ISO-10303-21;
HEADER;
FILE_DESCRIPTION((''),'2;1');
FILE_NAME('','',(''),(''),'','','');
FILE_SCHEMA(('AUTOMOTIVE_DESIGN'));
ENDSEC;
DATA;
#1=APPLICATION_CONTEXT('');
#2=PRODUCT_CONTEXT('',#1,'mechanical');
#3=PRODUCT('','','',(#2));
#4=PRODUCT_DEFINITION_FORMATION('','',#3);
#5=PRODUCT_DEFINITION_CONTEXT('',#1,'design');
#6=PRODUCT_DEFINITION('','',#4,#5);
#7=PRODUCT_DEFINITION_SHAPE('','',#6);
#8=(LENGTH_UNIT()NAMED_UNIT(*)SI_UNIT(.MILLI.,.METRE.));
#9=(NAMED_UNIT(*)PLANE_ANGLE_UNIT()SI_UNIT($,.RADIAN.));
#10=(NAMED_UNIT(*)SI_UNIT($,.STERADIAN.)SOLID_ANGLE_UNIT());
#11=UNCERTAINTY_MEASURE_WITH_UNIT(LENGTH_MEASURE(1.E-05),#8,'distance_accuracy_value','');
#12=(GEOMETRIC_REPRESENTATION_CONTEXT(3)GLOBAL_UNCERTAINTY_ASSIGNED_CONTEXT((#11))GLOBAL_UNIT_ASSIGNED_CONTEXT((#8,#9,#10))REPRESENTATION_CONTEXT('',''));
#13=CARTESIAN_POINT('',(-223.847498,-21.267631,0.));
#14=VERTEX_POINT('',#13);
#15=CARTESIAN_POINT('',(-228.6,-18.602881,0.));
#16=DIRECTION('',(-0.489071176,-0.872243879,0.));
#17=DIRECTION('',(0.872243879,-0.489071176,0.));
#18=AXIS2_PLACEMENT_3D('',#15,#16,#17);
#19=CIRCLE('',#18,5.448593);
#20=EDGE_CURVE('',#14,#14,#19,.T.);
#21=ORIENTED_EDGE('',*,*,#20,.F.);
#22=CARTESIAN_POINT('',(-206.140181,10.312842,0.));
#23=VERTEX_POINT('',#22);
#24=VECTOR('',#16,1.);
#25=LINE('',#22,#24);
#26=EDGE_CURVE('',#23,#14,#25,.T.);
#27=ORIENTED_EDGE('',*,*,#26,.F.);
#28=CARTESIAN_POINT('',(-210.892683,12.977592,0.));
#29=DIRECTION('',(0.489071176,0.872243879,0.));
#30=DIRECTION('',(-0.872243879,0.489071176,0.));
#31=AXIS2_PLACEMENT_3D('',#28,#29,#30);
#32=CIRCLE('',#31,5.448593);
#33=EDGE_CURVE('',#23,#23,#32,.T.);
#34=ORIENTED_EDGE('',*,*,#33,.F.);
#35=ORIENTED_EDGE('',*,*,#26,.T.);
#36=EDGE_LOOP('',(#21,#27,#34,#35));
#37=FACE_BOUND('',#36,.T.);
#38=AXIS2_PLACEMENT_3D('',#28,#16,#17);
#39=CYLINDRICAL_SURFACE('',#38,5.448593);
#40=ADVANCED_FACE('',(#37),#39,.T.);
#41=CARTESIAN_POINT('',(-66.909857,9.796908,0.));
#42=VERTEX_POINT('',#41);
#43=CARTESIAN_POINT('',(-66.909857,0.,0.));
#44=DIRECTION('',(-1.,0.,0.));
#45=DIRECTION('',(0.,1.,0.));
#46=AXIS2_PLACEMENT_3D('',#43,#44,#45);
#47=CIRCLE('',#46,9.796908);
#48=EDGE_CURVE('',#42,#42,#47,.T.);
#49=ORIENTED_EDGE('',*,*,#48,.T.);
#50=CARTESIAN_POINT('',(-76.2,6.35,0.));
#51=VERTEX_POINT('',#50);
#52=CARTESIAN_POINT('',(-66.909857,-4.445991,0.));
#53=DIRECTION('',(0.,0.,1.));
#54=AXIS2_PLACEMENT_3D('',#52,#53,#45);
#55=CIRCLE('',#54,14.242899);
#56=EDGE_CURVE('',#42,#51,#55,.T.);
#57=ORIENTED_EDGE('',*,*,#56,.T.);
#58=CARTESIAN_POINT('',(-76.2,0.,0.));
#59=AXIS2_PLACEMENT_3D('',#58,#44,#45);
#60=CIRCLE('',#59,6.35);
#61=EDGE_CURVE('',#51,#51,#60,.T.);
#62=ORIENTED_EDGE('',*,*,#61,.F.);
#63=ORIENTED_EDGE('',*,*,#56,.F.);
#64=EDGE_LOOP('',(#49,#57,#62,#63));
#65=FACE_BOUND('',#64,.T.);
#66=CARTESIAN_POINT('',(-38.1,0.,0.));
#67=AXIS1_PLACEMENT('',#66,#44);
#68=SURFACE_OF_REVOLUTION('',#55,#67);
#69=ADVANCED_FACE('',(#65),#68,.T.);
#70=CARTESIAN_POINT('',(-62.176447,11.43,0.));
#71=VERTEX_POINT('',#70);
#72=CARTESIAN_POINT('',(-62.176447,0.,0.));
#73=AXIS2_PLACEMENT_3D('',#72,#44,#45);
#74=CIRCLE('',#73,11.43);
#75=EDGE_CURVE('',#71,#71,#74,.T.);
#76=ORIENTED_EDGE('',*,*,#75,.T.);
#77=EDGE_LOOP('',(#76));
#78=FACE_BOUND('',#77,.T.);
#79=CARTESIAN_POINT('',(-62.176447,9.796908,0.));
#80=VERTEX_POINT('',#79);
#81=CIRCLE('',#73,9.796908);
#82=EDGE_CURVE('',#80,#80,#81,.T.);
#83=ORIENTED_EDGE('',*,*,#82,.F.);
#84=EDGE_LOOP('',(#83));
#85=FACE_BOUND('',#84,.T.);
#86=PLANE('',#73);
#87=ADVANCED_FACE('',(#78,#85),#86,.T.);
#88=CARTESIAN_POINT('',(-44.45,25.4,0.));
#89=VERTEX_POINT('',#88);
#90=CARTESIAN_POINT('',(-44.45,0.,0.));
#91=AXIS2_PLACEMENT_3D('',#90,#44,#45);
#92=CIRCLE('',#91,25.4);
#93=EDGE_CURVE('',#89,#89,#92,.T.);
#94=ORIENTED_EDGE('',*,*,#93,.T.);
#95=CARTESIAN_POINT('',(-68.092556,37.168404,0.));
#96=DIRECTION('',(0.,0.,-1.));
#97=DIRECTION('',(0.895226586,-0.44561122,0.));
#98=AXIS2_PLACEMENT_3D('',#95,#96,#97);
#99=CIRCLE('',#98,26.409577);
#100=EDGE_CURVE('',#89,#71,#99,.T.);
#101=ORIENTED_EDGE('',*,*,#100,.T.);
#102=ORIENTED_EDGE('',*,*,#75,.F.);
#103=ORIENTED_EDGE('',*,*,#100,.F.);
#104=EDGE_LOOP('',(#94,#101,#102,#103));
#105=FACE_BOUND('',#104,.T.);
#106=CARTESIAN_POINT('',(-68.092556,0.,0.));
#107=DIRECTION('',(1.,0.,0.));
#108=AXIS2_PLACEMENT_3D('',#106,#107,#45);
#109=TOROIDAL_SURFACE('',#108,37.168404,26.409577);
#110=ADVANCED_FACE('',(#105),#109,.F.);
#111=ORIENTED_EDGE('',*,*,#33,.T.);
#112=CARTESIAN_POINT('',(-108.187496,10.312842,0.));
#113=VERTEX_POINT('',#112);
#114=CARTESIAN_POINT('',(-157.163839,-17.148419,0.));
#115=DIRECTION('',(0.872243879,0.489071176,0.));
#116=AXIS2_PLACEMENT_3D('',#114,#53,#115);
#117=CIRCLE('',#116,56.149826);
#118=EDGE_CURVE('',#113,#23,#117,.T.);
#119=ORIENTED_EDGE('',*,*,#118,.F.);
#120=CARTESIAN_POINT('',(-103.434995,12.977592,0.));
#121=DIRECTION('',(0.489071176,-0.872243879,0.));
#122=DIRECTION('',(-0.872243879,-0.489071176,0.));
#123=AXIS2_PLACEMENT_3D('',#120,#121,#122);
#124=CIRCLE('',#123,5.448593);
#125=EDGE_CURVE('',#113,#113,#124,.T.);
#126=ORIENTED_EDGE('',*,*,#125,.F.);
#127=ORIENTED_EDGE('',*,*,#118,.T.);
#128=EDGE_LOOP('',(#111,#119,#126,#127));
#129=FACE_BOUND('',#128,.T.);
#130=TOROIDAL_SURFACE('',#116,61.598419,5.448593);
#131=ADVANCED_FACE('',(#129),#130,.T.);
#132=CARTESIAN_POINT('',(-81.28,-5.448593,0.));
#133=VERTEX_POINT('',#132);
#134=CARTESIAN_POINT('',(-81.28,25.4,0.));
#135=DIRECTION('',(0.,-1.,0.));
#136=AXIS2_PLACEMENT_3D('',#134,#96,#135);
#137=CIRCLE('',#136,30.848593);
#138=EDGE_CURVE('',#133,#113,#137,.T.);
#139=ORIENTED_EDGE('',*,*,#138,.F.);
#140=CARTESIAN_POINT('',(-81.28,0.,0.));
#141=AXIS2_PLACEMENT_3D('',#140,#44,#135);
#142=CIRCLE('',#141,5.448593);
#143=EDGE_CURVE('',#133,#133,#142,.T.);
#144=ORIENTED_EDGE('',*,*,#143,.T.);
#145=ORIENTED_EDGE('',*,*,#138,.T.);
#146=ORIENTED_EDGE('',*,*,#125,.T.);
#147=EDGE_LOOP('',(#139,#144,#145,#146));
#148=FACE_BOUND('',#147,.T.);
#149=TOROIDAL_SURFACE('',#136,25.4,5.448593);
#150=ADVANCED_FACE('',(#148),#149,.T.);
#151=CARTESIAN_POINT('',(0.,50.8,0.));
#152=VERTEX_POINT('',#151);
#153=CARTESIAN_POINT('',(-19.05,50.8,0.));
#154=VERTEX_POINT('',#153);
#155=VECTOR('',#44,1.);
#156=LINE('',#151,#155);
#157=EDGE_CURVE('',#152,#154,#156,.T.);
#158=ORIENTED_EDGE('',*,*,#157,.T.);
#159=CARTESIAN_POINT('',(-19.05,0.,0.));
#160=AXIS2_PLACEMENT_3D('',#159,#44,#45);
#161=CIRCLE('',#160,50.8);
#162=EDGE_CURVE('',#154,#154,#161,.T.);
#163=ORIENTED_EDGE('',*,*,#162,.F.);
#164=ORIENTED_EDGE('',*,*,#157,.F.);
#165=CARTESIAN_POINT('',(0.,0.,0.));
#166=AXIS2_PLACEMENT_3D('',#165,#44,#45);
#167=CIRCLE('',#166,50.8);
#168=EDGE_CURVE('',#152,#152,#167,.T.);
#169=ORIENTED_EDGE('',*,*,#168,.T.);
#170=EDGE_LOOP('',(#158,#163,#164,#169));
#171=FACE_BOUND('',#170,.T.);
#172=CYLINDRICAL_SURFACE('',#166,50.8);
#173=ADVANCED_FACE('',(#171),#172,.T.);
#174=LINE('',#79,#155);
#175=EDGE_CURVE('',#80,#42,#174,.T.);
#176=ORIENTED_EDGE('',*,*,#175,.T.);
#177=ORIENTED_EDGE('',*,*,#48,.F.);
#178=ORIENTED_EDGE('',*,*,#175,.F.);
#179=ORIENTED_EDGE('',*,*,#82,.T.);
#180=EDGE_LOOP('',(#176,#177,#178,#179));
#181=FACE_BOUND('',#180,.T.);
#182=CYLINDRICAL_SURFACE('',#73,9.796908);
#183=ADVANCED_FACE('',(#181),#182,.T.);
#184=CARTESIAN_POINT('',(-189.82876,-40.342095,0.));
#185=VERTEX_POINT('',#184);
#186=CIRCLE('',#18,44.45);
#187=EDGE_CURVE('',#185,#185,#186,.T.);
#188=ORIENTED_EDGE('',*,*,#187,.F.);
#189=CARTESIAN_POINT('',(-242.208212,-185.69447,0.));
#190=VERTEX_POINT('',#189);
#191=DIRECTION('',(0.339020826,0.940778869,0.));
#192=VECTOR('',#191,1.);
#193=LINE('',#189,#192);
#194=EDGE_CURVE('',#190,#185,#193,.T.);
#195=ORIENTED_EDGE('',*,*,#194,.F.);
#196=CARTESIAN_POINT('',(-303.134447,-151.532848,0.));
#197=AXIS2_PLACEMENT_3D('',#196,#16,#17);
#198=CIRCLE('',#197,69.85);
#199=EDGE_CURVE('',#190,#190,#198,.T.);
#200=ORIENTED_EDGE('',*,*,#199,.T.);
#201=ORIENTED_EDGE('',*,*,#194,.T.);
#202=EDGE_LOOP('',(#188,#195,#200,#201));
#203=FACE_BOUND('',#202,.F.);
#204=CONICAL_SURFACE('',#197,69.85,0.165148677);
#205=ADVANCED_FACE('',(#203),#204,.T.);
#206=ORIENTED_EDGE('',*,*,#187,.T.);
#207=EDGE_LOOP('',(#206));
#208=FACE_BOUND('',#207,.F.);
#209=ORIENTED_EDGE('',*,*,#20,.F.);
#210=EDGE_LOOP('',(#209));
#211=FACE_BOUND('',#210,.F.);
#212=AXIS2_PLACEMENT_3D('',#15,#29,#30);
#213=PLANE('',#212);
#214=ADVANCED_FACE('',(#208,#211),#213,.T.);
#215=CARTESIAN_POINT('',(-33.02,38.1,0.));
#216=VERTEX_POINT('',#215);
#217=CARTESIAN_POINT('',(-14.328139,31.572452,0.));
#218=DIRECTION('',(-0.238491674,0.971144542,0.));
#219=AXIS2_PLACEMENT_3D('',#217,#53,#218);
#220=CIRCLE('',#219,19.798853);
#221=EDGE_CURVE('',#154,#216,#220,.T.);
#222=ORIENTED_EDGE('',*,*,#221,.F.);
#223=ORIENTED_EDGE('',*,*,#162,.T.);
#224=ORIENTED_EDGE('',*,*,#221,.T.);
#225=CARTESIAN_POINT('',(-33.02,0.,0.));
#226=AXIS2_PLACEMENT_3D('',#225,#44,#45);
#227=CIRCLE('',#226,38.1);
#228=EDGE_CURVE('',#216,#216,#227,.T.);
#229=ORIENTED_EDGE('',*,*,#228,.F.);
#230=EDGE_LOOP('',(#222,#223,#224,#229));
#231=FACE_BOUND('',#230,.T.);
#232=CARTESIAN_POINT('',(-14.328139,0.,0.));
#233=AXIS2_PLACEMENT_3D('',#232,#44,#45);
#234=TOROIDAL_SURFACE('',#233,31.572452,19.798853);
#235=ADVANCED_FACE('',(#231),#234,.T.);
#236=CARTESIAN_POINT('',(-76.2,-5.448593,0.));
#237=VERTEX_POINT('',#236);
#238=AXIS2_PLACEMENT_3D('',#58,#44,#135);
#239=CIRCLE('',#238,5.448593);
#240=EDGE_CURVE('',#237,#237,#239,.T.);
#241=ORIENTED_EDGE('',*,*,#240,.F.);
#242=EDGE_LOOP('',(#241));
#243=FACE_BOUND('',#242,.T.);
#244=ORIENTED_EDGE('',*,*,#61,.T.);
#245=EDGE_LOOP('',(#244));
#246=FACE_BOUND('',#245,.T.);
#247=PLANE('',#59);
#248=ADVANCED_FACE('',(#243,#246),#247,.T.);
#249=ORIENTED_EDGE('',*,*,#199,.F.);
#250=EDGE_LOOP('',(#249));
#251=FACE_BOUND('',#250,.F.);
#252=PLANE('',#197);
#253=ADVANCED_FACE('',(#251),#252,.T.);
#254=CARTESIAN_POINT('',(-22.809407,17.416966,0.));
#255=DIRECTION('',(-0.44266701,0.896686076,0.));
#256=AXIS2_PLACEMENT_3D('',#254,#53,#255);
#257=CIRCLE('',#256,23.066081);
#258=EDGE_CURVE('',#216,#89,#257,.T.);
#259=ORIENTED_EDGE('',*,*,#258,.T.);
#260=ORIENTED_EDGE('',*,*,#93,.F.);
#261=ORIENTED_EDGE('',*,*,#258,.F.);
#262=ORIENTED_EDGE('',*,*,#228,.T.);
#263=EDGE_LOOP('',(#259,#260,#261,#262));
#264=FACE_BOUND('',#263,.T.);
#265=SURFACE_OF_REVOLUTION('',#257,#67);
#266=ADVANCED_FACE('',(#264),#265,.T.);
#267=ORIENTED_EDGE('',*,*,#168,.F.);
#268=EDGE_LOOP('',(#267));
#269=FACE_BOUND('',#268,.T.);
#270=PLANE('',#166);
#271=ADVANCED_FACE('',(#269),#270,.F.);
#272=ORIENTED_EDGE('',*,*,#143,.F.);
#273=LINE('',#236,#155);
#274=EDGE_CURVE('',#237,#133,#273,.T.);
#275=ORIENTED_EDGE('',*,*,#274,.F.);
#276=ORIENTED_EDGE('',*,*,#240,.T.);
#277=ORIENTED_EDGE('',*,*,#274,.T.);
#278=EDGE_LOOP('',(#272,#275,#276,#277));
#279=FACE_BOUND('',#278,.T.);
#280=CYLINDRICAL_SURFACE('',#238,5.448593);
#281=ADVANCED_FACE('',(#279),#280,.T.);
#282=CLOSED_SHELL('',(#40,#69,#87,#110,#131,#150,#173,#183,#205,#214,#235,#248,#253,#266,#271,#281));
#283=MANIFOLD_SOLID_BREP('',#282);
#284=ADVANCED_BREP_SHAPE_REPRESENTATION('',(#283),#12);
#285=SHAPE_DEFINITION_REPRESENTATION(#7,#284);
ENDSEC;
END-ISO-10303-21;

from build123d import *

# Parameters (mm, degrees)
F3_R = 5.4485927956


with BuildPart() as f1:
    # F0 (on Top) → F1 (revolve)
    with BuildSketch(Plane.XY):
        with BuildLine():
            Line((-76.2, 0), (0, 0))
            Line((0, 0), (0, 50.8))
            Line((0, 50.8), (-19.05, 50.8))
            ThreePointArc((-19.05, 50.8), (-27.6462880029, 46.2224168032), (-33.02, 38.1))
            ThreePointArc((-33.02, 38.1), (-39.9542899622, 32.847360966), (-44.45, 25.4))
            ThreePointArc((-44.45, 25.4), (-51.745724834, 16.4260103223), (-62.1764473617, 11.43))
            Line((-62.1764473617, 11.43), (-62.1764473617, 9.7969081253))
            Line((-62.1764473617, 9.7969081253), (-66.9098570943, 9.7969081253))
            ThreePointArc((-66.9098570943, 9.7969081253), (-71.8643482597, 8.9074053149), (-76.2, 6.35))
            Line((-76.2, 6.35), (-76.2, 0))
        make_face()
    revolve(axis=Axis((-38.1, 0, 0), (-1, 0, 0)))

    # F4: sweep along a path in F2
    with BuildLine(Plane.XY) as f4_path:
        Line((-76.2, 0), (-81.28, 0))
        ThreePointArc((-81.28, 0), (-94.1180458057, 3.4832351865), (-103.4349945345, 12.9775921345))
        ThreePointArc((-103.4349945345, 12.9775921345), (-157.1638386083, 44.45), (-210.892682682, 12.9775921345))
        Line((-210.892682682, 12.9775921345), (-228.6, -18.6028810433))
    # F3 (on face) → F4 (sweep)
    with BuildSketch(Plane(origin=(-76.2, 0, 0), x_dir=(0, -1, 0), z_dir=(-1, 0, 0))):
        Circle(F3_R)
    sweep(path=f4_path.line)

    # F5 (on Top) → F6 (revolve)
    with BuildSketch(Plane.XY):
        Polygon((-189.8287595647, -40.3420948079), (-228.6, -18.6028810433), (-303.134447193, -151.5328482502), (-242.2082122232, -185.6944698804), align=None)
    revolve(axis=Axis((-265.8672235965, -85.0678646468, 0), (-0.4890711758, -0.8722438793, 0)))


solid = f1.part
